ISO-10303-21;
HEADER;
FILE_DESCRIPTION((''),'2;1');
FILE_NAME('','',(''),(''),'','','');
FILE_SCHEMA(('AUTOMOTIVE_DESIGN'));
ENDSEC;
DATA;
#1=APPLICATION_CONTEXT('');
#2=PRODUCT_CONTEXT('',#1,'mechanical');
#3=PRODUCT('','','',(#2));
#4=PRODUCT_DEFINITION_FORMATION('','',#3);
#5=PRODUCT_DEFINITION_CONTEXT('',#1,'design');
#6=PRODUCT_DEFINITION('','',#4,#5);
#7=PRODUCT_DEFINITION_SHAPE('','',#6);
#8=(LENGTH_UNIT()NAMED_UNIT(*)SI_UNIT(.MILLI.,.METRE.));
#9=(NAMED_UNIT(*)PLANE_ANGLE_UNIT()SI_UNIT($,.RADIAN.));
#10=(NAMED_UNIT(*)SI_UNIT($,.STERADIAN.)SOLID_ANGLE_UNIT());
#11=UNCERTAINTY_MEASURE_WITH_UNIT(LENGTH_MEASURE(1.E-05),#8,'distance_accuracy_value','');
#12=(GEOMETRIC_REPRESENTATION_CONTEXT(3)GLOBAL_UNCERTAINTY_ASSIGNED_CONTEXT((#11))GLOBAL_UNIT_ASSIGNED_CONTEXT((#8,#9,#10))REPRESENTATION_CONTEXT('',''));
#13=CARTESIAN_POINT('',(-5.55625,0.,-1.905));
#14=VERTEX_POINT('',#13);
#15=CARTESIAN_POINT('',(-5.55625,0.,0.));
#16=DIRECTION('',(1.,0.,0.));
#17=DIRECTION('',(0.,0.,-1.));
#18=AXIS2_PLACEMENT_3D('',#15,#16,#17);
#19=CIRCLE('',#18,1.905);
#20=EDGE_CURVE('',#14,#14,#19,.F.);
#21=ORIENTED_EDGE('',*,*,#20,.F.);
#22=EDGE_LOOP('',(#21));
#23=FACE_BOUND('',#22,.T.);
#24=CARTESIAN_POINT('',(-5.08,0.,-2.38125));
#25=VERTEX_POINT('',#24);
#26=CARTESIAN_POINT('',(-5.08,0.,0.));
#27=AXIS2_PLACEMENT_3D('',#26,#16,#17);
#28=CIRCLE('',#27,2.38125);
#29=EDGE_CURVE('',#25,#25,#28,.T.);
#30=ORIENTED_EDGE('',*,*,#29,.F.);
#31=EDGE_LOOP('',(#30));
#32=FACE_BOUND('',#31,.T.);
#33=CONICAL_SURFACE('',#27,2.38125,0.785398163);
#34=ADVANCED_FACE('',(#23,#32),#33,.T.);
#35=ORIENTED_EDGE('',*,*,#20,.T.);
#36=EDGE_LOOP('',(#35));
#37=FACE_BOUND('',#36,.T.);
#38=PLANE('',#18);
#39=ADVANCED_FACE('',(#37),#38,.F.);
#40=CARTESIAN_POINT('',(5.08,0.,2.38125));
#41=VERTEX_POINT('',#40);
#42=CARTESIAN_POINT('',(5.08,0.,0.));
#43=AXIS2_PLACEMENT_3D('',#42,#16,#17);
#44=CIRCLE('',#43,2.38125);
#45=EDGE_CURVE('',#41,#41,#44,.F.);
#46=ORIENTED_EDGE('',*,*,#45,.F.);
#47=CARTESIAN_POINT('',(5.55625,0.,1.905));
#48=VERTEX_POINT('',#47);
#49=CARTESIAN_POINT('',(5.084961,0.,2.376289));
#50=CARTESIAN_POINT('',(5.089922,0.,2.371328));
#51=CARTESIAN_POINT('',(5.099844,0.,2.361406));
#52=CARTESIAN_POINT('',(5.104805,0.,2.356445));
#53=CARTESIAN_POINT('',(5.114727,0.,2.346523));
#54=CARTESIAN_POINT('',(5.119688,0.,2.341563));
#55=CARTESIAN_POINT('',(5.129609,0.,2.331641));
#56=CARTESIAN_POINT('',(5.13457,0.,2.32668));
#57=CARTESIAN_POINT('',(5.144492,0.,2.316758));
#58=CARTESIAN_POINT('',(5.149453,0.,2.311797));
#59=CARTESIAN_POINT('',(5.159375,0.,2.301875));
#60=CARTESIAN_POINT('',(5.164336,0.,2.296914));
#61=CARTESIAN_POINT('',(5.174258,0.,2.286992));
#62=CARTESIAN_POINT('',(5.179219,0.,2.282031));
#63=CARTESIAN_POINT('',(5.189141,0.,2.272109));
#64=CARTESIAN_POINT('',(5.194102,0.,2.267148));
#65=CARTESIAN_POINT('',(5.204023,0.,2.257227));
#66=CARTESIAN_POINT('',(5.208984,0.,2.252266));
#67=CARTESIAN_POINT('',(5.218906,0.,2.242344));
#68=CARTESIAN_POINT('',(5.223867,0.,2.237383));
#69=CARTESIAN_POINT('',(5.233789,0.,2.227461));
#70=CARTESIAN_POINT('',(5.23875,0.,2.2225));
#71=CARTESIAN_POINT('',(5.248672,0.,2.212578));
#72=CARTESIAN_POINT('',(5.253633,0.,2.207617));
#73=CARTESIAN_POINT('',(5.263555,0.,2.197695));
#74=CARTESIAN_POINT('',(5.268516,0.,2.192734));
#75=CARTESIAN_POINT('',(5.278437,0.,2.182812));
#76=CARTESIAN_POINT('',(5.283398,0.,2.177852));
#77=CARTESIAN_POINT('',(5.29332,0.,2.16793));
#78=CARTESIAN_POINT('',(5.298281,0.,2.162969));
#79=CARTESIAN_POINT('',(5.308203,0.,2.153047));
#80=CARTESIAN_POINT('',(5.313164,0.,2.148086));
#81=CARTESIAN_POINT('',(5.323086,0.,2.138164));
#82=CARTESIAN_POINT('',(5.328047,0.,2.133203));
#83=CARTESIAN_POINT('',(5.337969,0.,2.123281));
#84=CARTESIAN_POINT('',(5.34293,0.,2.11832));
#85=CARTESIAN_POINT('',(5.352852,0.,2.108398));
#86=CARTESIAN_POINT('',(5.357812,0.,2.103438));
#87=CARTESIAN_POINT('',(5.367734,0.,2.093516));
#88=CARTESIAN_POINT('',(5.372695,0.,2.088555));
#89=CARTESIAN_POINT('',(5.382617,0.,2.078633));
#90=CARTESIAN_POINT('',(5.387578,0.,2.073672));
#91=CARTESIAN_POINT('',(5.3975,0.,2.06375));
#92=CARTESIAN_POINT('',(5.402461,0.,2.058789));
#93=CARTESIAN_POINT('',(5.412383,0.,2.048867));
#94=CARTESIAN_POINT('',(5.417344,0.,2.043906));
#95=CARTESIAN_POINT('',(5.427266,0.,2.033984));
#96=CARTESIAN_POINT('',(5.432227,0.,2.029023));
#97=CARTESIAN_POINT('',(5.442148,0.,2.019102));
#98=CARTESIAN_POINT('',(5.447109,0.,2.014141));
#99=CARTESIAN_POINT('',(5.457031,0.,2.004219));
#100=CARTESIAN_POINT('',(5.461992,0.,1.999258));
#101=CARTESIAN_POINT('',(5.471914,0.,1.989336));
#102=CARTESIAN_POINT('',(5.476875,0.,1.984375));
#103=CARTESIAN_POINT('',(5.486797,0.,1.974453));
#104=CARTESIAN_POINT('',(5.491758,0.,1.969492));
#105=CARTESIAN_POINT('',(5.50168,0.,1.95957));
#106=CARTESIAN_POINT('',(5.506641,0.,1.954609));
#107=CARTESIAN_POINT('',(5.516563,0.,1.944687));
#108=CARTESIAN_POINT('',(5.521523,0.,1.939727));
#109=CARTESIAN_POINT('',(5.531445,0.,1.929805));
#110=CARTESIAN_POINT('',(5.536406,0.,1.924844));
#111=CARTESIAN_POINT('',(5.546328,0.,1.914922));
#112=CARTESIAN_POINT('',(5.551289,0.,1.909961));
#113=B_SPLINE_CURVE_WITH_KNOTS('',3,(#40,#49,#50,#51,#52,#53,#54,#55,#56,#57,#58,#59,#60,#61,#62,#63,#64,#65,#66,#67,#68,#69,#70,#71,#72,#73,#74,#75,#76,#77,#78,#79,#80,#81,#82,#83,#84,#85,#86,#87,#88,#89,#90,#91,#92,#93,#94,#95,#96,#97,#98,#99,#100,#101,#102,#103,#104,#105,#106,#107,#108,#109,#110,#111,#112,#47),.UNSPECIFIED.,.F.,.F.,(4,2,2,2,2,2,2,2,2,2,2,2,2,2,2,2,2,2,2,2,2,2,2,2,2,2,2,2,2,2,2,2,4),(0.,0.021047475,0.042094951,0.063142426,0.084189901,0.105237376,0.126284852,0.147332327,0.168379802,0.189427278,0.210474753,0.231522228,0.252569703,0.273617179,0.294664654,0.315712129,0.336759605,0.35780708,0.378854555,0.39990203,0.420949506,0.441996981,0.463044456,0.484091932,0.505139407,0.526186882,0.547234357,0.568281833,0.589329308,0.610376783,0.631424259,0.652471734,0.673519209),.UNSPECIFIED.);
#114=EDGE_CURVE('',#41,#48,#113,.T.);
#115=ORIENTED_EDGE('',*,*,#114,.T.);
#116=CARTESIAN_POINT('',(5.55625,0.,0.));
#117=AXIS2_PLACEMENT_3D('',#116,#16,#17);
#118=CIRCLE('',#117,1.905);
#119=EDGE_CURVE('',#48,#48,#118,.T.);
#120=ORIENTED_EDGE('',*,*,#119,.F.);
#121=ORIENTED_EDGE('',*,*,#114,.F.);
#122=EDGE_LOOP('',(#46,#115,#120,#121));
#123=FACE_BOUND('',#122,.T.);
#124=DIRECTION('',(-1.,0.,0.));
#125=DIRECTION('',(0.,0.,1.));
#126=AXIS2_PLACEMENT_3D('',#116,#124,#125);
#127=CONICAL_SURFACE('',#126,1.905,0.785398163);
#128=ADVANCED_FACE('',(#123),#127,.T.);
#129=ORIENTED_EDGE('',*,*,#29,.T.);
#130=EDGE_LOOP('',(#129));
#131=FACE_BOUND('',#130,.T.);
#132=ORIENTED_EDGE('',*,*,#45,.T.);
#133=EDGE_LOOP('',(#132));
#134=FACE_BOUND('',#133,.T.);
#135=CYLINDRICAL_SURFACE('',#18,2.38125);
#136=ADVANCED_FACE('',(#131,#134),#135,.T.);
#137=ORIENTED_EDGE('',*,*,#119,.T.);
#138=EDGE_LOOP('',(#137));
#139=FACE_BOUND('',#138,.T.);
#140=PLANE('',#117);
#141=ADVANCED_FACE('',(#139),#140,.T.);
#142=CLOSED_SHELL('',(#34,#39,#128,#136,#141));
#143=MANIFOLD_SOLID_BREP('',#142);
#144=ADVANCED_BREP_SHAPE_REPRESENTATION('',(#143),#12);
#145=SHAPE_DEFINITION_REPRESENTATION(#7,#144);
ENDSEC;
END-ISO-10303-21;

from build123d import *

# Parameters (mm, degrees)
EXTRUDE1_DEPTH      = 5.55625
EXTRUDE1_DEPTH_BACK = 5.55625
SKETCH2_R           = 2.38125
CHAMFER1_SIZE       = 0.47625


with BuildPart() as part:
    # Sketch2 → Extrude1 (new, two sides: drawn at the far end of the back side and taken through both)
    with BuildSketch(Plane(origin=(0, 0, 0), x_dir=(0, 0, -1), z_dir=(1, 0, 0)).offset(-EXTRUDE1_DEPTH_BACK)):
        Circle(SKETCH2_R)
    extrude(amount=EXTRUDE1_DEPTH + EXTRUDE1_DEPTH_BACK)

    # Chamfer1
    chamfer1_edges = [part.edges().sort_by_distance(p)[0] for p in [
        (-5.55625, 0, 2.38125),
        (5.55625, 0, 2.38125),
    ]]
    chamfer(chamfer1_edges, length=CHAMFER1_SIZE)


solid = part.part
